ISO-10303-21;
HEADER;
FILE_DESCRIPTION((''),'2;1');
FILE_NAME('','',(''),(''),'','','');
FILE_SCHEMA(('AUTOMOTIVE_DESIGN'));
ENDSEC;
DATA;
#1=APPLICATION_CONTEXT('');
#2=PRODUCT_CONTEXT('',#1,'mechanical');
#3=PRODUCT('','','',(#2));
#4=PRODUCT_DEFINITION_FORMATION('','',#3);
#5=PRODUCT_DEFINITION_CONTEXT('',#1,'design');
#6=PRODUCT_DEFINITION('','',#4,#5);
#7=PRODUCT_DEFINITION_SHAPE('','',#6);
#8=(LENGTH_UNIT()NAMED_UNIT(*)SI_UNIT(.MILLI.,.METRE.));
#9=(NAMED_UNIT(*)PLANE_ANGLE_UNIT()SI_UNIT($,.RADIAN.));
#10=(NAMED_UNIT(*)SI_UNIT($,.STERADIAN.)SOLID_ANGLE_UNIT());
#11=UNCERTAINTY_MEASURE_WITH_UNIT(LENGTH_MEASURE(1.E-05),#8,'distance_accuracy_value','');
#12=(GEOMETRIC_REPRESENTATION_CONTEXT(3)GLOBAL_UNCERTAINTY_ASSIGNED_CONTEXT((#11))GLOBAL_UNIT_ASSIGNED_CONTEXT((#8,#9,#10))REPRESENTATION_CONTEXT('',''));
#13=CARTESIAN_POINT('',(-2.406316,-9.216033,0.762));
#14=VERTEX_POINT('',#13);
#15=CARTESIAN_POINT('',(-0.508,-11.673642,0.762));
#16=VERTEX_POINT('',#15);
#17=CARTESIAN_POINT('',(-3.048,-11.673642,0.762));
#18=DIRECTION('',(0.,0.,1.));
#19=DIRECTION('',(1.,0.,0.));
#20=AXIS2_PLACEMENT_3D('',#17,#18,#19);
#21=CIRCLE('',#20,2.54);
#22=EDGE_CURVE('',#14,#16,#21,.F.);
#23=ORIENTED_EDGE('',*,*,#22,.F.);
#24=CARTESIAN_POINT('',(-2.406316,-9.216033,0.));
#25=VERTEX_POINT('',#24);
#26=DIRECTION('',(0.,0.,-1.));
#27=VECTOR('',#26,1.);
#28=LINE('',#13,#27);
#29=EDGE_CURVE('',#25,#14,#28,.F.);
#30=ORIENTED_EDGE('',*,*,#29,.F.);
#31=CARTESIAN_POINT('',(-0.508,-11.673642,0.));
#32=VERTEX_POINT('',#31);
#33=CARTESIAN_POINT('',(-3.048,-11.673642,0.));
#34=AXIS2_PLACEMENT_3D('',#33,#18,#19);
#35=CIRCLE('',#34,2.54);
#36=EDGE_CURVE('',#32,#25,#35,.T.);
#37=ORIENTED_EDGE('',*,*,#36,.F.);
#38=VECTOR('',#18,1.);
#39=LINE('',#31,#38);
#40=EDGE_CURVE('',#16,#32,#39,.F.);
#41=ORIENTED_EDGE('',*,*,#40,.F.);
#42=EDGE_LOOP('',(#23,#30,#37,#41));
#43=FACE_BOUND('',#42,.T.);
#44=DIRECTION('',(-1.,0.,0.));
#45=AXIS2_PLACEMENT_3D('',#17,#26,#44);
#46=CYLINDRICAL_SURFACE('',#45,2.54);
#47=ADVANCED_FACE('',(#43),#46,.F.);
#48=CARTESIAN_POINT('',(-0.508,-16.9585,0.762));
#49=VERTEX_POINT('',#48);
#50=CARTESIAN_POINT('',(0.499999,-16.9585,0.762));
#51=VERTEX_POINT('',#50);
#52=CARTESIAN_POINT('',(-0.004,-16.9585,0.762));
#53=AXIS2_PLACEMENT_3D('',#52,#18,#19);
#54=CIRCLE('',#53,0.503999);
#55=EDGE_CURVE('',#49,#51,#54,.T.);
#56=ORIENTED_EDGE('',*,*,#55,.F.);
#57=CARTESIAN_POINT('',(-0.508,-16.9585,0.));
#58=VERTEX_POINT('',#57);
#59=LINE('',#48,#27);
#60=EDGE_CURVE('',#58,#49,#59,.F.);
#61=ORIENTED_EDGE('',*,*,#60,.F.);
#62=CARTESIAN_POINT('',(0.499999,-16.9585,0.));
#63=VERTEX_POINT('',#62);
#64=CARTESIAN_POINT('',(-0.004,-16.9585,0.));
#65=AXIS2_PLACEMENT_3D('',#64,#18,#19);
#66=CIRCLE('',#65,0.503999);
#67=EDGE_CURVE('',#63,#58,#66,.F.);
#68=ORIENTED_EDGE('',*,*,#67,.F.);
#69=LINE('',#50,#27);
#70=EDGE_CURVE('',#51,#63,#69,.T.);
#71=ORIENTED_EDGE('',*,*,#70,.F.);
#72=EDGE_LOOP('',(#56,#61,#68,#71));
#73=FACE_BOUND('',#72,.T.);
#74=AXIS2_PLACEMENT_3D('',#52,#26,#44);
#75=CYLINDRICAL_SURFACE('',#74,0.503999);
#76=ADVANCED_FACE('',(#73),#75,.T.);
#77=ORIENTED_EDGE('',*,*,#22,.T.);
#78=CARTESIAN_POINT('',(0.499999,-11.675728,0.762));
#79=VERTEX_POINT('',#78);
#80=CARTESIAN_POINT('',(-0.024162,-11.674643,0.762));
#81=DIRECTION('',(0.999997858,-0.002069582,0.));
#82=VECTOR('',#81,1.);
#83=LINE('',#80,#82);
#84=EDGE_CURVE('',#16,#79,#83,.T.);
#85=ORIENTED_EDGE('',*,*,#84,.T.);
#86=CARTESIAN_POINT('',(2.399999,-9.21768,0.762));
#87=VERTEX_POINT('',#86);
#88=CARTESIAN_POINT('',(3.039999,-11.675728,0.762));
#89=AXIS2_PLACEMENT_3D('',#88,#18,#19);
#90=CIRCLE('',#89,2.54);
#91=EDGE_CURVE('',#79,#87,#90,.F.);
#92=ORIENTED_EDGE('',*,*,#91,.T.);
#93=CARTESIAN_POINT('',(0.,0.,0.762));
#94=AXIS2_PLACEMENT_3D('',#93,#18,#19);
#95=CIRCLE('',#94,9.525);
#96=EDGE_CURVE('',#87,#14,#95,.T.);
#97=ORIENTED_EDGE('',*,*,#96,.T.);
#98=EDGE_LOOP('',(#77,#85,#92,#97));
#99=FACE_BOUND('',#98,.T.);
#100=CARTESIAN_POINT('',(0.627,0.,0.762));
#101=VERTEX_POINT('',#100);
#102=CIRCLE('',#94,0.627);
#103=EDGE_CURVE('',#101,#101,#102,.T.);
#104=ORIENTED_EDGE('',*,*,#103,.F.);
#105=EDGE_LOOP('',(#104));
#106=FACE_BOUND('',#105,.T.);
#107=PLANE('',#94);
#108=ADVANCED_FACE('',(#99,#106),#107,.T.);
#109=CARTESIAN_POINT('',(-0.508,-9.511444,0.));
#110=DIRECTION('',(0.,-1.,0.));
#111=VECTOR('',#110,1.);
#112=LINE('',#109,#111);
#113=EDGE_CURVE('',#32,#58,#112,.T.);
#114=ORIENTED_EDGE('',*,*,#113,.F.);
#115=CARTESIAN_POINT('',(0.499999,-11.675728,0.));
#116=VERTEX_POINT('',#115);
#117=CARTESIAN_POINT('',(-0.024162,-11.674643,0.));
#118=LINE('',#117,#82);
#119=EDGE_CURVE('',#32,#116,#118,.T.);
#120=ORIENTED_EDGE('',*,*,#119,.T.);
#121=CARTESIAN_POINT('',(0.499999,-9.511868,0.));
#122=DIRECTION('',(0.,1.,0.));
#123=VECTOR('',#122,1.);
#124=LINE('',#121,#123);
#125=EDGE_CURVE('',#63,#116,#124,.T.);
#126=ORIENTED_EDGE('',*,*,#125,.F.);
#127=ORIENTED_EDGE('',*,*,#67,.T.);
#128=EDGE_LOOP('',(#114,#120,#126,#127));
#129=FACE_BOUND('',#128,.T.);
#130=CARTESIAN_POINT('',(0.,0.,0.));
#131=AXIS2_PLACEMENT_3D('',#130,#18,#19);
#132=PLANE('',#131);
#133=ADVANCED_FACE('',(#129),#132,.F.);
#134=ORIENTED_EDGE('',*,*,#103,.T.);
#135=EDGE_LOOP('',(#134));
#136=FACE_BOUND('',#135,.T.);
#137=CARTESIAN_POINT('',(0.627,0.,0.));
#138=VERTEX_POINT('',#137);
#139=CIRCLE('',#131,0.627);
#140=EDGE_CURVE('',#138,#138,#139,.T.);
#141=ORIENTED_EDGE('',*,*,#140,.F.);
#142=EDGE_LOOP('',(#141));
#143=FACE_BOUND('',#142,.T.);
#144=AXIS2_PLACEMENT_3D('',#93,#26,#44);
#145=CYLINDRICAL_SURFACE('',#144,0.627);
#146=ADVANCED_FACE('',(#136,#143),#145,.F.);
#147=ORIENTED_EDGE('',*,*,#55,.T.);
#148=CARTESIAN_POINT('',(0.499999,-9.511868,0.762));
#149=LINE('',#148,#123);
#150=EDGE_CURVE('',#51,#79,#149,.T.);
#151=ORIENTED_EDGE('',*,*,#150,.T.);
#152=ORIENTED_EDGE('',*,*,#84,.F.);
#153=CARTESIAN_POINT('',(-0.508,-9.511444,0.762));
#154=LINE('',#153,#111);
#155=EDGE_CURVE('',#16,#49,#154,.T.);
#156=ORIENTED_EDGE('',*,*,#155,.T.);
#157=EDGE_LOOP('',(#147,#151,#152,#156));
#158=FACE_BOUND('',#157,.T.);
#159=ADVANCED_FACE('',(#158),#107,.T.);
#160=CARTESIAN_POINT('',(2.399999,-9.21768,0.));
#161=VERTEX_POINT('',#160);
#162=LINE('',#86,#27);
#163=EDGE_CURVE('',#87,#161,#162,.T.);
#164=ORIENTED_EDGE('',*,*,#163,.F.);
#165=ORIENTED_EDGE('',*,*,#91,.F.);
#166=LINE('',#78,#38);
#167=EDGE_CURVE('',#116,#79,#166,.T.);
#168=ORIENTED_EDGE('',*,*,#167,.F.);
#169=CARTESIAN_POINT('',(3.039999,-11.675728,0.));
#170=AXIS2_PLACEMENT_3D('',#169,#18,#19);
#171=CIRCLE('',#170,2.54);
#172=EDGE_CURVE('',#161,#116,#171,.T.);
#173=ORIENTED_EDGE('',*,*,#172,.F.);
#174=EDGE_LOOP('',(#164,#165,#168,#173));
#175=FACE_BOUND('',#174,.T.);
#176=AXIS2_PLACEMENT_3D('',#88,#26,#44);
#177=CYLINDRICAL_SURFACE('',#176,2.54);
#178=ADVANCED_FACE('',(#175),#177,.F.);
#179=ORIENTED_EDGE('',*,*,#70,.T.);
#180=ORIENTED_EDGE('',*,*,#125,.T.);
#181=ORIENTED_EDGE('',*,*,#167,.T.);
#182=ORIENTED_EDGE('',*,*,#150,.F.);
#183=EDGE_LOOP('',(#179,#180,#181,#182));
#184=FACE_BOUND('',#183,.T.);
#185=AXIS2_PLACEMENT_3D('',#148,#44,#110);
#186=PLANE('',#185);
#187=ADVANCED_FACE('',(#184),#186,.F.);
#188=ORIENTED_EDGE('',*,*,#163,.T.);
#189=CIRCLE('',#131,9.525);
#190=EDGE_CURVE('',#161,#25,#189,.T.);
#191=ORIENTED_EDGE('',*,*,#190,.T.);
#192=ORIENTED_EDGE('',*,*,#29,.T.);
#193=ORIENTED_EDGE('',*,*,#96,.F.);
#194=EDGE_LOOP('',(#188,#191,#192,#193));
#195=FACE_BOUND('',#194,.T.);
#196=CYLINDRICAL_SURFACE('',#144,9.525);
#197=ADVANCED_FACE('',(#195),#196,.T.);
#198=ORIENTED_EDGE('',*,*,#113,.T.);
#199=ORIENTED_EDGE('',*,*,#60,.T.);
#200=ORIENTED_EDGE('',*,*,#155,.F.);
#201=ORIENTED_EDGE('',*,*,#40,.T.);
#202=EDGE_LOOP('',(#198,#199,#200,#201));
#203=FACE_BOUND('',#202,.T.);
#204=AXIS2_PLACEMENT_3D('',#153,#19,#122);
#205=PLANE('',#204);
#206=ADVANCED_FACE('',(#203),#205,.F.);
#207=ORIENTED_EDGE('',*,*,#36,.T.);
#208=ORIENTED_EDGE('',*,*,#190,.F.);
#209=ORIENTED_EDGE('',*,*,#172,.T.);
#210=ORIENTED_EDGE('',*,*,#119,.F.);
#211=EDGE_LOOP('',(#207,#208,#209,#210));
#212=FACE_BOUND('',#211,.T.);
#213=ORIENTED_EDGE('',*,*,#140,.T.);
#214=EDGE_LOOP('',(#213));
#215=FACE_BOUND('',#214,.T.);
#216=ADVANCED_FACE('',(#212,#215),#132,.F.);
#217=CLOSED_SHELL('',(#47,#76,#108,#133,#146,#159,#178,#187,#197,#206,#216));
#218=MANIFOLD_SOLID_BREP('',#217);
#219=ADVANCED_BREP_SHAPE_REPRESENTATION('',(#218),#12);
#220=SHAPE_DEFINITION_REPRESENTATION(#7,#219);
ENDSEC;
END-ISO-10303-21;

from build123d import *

# Parameters (mm, degrees)
SKETCH1_R           = 0.627
BOSS_EXTRUDE1_DEPTH = 0.762
FILLET1_R           = 2.54
FILLET2_RADIUS      = 0.5039995
FILLET2_LENGTH      = 0.762


with BuildPart() as part:
    # Sketch1 → Boss-Extrude1 (new body)
    with BuildSketch(Plane.XY):
        with BuildLine():
            Line((-0.508, -9.511443686), (-0.508, -17.4625))
            Line((-0.508, -17.4625), (0.499999, -17.4625))
            Line((0.499999, -17.4625), (0.499999, -9.51186764))
            ThreePointArc((0.499999, -9.51186764), (0.004006112, 9.524999158), (-0.508, -9.511443686))
        make_face()
        Circle(SKETCH1_R, mode=Mode.SUBTRACT)
    extrude(amount=BOSS_EXTRUDE1_DEPTH)

    # Fillet1
    fillet1_edges = [part.edges().sort_by_distance(p)[0] for p in [
        (0.499999, -9.51186764, 0.381),
        (-0.508, -9.511443686, 0.381),
    ]]
    fillet(fillet1_edges, radius=FILLET1_R)

    # Fillet2: full round fillet: the end face becomes a half cylinder, R = half its width
    fillet2_face = Plane((-0.0040005, -17.4625, 0.381), x_dir=(0, 0, 1), z_dir=(0, -1, 0))  # on the end face: x along it, z out of the body
    fillet2_slab = fillet2_face.offset(-FILLET2_RADIUS / 2) * Box(FILLET2_LENGTH, 2 * FILLET2_RADIUS, FILLET2_RADIUS, mode=Mode.PRIVATE)  # the body's end, R deep
    fillet2_round = Plane((-0.0040005, -16.9585005, 0.381), x_dir=(0, -1, 0), z_dir=(0, 0, 1)) * Cylinder(FILLET2_RADIUS, FILLET2_LENGTH, mode=Mode.PRIVATE)  # its axis R under the face
    add(fillet2_slab - fillet2_round, mode=Mode.SUBTRACT)


solid = part.part
